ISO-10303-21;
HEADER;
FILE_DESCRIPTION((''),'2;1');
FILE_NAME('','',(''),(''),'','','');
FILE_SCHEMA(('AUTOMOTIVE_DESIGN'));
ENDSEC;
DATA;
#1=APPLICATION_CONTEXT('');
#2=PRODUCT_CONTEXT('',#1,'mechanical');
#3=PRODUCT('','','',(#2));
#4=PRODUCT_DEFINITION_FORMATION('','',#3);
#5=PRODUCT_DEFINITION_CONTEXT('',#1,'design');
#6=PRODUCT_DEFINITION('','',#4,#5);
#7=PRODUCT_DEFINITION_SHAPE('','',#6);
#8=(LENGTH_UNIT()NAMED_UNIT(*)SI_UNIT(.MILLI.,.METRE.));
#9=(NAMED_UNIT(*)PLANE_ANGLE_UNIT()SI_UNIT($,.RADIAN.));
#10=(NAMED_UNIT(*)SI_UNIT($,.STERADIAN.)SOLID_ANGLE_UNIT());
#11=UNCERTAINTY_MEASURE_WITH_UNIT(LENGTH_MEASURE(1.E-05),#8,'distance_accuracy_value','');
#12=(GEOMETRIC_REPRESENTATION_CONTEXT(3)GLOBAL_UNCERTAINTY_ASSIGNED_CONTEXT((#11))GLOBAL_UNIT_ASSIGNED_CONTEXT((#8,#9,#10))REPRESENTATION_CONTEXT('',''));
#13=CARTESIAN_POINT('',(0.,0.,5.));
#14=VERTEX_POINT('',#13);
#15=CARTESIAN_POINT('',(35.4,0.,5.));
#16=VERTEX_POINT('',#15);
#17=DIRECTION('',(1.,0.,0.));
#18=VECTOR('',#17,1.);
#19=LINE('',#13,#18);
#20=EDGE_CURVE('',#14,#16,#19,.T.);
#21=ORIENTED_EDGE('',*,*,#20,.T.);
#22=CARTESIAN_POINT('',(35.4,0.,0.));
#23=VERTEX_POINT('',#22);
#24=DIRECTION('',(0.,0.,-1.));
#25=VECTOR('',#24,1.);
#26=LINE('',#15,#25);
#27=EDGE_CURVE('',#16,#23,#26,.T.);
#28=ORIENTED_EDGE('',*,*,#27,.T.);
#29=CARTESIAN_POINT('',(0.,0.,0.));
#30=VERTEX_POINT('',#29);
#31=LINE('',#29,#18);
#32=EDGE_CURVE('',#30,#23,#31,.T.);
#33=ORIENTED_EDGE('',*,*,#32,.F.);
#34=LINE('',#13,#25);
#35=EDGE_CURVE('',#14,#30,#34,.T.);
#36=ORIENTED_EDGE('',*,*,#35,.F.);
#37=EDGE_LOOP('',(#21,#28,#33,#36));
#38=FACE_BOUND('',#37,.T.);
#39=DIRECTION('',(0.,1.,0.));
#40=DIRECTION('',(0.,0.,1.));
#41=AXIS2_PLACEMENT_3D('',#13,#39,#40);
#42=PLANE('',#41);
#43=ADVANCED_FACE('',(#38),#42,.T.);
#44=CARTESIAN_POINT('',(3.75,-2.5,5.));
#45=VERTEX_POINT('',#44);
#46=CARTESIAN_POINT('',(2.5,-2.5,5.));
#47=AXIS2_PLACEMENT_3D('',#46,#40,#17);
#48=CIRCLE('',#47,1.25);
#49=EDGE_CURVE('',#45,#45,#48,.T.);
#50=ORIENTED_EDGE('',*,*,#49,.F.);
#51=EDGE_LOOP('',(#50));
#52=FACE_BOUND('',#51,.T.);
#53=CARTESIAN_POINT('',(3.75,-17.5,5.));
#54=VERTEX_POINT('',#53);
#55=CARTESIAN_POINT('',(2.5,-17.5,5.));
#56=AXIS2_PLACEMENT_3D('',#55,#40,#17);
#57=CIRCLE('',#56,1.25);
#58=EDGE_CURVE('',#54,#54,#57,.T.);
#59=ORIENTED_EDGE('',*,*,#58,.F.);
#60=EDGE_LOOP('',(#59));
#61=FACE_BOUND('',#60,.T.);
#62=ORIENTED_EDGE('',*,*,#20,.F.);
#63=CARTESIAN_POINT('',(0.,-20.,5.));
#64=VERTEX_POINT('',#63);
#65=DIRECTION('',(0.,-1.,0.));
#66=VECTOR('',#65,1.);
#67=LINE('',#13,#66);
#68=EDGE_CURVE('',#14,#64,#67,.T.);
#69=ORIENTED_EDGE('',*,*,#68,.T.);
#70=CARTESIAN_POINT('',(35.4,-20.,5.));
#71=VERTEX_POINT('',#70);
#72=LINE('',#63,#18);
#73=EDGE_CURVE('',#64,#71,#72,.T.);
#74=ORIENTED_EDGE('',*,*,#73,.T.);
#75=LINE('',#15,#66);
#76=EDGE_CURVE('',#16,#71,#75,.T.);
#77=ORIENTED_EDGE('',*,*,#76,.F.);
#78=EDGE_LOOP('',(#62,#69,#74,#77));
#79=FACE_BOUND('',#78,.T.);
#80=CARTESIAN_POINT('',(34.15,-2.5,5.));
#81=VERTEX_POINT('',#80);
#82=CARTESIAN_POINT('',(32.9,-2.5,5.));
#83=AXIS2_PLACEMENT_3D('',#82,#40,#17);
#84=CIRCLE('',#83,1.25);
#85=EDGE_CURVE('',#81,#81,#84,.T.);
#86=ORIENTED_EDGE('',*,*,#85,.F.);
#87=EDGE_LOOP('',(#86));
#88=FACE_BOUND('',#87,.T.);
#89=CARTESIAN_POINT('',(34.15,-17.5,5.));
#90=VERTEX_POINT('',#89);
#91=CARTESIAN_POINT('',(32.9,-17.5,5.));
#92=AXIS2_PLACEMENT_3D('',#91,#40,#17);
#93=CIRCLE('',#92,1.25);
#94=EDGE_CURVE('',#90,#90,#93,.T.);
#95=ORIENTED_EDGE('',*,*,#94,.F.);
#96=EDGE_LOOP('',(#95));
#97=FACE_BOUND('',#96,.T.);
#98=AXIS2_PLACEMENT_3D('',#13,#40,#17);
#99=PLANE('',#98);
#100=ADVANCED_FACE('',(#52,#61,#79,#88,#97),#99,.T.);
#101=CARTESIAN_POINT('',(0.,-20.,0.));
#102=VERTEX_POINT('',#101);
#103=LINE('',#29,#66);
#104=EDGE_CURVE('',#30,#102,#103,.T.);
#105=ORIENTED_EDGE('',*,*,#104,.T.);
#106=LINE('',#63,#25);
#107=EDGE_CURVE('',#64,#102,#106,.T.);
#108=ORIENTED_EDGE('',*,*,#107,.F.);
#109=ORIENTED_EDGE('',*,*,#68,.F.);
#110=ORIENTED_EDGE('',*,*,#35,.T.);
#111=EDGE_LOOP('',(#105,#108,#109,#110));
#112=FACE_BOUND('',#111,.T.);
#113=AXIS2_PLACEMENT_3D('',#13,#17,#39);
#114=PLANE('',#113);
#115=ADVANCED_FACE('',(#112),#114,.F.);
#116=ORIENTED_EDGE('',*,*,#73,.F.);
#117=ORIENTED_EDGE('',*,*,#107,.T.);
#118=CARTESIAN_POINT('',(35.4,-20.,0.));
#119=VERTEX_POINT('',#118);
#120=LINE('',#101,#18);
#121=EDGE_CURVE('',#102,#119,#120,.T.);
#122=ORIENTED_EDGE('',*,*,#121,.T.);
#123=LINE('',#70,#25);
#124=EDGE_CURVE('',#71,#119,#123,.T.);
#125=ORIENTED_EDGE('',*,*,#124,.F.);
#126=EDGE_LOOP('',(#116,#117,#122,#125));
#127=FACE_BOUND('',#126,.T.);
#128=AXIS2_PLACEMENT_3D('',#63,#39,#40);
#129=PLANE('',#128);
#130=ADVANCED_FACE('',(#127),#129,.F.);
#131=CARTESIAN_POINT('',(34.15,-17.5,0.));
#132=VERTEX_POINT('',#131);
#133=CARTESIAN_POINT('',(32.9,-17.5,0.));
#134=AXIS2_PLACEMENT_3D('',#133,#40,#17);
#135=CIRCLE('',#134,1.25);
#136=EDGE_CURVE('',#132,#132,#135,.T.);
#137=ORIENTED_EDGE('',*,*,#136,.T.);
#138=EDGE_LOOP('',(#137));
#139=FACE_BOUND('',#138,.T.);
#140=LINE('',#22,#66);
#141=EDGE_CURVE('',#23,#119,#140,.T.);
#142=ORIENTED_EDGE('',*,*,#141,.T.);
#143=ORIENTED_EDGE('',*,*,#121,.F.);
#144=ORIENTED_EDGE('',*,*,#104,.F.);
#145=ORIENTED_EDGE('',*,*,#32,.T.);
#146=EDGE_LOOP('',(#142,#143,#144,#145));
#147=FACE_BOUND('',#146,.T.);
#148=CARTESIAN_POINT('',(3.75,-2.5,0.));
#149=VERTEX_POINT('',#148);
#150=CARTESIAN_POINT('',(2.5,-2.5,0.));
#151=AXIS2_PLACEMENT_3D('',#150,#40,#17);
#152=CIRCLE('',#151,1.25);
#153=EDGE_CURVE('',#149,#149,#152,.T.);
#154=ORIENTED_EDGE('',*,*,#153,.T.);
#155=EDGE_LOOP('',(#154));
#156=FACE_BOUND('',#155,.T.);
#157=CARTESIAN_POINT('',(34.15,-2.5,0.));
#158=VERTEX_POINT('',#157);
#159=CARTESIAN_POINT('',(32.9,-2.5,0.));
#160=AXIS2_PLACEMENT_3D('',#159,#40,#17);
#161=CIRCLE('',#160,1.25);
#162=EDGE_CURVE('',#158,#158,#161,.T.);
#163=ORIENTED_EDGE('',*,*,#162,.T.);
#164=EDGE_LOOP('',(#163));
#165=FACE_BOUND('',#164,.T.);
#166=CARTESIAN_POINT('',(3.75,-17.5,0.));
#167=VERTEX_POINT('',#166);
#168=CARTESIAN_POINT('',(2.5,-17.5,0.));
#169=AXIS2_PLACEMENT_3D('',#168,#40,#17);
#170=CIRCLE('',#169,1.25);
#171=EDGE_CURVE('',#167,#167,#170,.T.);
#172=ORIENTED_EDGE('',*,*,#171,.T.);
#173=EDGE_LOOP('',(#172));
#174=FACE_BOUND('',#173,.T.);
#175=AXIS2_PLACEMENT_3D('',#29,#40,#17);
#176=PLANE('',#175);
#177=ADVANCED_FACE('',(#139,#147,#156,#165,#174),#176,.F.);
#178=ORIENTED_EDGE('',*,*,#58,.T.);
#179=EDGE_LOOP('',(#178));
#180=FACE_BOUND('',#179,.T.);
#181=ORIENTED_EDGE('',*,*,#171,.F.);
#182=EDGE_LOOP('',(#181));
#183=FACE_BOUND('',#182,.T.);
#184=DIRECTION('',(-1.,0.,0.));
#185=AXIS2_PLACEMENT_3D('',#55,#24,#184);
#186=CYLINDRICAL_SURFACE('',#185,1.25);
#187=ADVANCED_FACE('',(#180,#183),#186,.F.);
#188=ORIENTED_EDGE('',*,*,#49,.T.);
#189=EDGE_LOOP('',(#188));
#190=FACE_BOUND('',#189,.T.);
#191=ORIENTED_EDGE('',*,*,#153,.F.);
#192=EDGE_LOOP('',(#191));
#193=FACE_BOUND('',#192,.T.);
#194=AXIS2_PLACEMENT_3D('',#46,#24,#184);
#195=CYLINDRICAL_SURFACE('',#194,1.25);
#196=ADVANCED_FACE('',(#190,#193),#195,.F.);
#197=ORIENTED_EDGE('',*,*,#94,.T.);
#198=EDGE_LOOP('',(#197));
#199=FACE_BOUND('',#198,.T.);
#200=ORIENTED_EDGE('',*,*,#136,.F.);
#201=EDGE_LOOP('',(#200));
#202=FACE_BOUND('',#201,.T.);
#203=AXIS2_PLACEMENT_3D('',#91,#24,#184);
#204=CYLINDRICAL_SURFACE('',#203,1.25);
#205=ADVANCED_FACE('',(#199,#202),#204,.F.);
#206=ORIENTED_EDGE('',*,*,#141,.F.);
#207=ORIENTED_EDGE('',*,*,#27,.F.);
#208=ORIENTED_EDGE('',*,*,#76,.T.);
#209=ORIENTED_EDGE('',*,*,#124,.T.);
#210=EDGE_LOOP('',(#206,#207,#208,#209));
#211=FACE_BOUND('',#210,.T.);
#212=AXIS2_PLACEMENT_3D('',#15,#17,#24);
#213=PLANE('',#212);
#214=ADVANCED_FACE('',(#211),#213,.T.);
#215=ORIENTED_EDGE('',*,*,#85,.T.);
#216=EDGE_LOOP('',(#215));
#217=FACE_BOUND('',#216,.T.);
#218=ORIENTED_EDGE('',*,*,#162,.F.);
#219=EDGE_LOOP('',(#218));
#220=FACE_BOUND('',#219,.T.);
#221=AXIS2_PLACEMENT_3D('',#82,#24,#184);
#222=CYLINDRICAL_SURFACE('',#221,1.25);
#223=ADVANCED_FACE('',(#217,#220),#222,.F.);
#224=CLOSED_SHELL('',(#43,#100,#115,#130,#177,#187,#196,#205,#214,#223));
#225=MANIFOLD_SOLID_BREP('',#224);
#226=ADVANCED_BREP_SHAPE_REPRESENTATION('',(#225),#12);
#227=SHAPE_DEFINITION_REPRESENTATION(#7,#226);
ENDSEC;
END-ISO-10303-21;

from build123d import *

# Parameters (mm, degrees)
SKETCH1_W           = 5
SKETCH1_H           = 5
SKETCH1_R           = 1.25
BOSS_EXTRUDE1_DEPTH = 5


with BuildPart() as part:
    # Sketch1 → Boss-Extrude1 (new body)
    with BuildSketch(Plane.XY):
        Polygon((30.4, 0), (5, 0), (5, -5), (0, -5), (0, -15), (5, -15), (5, -20), (30.4, -20), (30.4, -15), (35.4, -15), (35.4, -5), (30.4, -5), align=None)
        with Locations((2.5, -2.5)):
            Rectangle(SKETCH1_W, SKETCH1_H)
        with Locations((2.5, -2.5)):
            Circle(SKETCH1_R, mode=Mode.SUBTRACT)
        with Locations((32.9, -2.5)):
            Rectangle(SKETCH1_W, SKETCH1_H)
        with Locations((32.9, -2.5)):
            Circle(SKETCH1_R, mode=Mode.SUBTRACT)
        with Locations((32.9, -17.5)):
            Rectangle(SKETCH1_W, SKETCH1_H)
        with Locations((32.9, -17.5)):
            Circle(SKETCH1_R, mode=Mode.SUBTRACT)
        with Locations((2.5, -17.5)):
            Rectangle(SKETCH1_W, SKETCH1_H)
        with Locations((2.5, -17.5)):
            Circle(SKETCH1_R, mode=Mode.SUBTRACT)
    extrude(amount=BOSS_EXTRUDE1_DEPTH)


solid = part.part
